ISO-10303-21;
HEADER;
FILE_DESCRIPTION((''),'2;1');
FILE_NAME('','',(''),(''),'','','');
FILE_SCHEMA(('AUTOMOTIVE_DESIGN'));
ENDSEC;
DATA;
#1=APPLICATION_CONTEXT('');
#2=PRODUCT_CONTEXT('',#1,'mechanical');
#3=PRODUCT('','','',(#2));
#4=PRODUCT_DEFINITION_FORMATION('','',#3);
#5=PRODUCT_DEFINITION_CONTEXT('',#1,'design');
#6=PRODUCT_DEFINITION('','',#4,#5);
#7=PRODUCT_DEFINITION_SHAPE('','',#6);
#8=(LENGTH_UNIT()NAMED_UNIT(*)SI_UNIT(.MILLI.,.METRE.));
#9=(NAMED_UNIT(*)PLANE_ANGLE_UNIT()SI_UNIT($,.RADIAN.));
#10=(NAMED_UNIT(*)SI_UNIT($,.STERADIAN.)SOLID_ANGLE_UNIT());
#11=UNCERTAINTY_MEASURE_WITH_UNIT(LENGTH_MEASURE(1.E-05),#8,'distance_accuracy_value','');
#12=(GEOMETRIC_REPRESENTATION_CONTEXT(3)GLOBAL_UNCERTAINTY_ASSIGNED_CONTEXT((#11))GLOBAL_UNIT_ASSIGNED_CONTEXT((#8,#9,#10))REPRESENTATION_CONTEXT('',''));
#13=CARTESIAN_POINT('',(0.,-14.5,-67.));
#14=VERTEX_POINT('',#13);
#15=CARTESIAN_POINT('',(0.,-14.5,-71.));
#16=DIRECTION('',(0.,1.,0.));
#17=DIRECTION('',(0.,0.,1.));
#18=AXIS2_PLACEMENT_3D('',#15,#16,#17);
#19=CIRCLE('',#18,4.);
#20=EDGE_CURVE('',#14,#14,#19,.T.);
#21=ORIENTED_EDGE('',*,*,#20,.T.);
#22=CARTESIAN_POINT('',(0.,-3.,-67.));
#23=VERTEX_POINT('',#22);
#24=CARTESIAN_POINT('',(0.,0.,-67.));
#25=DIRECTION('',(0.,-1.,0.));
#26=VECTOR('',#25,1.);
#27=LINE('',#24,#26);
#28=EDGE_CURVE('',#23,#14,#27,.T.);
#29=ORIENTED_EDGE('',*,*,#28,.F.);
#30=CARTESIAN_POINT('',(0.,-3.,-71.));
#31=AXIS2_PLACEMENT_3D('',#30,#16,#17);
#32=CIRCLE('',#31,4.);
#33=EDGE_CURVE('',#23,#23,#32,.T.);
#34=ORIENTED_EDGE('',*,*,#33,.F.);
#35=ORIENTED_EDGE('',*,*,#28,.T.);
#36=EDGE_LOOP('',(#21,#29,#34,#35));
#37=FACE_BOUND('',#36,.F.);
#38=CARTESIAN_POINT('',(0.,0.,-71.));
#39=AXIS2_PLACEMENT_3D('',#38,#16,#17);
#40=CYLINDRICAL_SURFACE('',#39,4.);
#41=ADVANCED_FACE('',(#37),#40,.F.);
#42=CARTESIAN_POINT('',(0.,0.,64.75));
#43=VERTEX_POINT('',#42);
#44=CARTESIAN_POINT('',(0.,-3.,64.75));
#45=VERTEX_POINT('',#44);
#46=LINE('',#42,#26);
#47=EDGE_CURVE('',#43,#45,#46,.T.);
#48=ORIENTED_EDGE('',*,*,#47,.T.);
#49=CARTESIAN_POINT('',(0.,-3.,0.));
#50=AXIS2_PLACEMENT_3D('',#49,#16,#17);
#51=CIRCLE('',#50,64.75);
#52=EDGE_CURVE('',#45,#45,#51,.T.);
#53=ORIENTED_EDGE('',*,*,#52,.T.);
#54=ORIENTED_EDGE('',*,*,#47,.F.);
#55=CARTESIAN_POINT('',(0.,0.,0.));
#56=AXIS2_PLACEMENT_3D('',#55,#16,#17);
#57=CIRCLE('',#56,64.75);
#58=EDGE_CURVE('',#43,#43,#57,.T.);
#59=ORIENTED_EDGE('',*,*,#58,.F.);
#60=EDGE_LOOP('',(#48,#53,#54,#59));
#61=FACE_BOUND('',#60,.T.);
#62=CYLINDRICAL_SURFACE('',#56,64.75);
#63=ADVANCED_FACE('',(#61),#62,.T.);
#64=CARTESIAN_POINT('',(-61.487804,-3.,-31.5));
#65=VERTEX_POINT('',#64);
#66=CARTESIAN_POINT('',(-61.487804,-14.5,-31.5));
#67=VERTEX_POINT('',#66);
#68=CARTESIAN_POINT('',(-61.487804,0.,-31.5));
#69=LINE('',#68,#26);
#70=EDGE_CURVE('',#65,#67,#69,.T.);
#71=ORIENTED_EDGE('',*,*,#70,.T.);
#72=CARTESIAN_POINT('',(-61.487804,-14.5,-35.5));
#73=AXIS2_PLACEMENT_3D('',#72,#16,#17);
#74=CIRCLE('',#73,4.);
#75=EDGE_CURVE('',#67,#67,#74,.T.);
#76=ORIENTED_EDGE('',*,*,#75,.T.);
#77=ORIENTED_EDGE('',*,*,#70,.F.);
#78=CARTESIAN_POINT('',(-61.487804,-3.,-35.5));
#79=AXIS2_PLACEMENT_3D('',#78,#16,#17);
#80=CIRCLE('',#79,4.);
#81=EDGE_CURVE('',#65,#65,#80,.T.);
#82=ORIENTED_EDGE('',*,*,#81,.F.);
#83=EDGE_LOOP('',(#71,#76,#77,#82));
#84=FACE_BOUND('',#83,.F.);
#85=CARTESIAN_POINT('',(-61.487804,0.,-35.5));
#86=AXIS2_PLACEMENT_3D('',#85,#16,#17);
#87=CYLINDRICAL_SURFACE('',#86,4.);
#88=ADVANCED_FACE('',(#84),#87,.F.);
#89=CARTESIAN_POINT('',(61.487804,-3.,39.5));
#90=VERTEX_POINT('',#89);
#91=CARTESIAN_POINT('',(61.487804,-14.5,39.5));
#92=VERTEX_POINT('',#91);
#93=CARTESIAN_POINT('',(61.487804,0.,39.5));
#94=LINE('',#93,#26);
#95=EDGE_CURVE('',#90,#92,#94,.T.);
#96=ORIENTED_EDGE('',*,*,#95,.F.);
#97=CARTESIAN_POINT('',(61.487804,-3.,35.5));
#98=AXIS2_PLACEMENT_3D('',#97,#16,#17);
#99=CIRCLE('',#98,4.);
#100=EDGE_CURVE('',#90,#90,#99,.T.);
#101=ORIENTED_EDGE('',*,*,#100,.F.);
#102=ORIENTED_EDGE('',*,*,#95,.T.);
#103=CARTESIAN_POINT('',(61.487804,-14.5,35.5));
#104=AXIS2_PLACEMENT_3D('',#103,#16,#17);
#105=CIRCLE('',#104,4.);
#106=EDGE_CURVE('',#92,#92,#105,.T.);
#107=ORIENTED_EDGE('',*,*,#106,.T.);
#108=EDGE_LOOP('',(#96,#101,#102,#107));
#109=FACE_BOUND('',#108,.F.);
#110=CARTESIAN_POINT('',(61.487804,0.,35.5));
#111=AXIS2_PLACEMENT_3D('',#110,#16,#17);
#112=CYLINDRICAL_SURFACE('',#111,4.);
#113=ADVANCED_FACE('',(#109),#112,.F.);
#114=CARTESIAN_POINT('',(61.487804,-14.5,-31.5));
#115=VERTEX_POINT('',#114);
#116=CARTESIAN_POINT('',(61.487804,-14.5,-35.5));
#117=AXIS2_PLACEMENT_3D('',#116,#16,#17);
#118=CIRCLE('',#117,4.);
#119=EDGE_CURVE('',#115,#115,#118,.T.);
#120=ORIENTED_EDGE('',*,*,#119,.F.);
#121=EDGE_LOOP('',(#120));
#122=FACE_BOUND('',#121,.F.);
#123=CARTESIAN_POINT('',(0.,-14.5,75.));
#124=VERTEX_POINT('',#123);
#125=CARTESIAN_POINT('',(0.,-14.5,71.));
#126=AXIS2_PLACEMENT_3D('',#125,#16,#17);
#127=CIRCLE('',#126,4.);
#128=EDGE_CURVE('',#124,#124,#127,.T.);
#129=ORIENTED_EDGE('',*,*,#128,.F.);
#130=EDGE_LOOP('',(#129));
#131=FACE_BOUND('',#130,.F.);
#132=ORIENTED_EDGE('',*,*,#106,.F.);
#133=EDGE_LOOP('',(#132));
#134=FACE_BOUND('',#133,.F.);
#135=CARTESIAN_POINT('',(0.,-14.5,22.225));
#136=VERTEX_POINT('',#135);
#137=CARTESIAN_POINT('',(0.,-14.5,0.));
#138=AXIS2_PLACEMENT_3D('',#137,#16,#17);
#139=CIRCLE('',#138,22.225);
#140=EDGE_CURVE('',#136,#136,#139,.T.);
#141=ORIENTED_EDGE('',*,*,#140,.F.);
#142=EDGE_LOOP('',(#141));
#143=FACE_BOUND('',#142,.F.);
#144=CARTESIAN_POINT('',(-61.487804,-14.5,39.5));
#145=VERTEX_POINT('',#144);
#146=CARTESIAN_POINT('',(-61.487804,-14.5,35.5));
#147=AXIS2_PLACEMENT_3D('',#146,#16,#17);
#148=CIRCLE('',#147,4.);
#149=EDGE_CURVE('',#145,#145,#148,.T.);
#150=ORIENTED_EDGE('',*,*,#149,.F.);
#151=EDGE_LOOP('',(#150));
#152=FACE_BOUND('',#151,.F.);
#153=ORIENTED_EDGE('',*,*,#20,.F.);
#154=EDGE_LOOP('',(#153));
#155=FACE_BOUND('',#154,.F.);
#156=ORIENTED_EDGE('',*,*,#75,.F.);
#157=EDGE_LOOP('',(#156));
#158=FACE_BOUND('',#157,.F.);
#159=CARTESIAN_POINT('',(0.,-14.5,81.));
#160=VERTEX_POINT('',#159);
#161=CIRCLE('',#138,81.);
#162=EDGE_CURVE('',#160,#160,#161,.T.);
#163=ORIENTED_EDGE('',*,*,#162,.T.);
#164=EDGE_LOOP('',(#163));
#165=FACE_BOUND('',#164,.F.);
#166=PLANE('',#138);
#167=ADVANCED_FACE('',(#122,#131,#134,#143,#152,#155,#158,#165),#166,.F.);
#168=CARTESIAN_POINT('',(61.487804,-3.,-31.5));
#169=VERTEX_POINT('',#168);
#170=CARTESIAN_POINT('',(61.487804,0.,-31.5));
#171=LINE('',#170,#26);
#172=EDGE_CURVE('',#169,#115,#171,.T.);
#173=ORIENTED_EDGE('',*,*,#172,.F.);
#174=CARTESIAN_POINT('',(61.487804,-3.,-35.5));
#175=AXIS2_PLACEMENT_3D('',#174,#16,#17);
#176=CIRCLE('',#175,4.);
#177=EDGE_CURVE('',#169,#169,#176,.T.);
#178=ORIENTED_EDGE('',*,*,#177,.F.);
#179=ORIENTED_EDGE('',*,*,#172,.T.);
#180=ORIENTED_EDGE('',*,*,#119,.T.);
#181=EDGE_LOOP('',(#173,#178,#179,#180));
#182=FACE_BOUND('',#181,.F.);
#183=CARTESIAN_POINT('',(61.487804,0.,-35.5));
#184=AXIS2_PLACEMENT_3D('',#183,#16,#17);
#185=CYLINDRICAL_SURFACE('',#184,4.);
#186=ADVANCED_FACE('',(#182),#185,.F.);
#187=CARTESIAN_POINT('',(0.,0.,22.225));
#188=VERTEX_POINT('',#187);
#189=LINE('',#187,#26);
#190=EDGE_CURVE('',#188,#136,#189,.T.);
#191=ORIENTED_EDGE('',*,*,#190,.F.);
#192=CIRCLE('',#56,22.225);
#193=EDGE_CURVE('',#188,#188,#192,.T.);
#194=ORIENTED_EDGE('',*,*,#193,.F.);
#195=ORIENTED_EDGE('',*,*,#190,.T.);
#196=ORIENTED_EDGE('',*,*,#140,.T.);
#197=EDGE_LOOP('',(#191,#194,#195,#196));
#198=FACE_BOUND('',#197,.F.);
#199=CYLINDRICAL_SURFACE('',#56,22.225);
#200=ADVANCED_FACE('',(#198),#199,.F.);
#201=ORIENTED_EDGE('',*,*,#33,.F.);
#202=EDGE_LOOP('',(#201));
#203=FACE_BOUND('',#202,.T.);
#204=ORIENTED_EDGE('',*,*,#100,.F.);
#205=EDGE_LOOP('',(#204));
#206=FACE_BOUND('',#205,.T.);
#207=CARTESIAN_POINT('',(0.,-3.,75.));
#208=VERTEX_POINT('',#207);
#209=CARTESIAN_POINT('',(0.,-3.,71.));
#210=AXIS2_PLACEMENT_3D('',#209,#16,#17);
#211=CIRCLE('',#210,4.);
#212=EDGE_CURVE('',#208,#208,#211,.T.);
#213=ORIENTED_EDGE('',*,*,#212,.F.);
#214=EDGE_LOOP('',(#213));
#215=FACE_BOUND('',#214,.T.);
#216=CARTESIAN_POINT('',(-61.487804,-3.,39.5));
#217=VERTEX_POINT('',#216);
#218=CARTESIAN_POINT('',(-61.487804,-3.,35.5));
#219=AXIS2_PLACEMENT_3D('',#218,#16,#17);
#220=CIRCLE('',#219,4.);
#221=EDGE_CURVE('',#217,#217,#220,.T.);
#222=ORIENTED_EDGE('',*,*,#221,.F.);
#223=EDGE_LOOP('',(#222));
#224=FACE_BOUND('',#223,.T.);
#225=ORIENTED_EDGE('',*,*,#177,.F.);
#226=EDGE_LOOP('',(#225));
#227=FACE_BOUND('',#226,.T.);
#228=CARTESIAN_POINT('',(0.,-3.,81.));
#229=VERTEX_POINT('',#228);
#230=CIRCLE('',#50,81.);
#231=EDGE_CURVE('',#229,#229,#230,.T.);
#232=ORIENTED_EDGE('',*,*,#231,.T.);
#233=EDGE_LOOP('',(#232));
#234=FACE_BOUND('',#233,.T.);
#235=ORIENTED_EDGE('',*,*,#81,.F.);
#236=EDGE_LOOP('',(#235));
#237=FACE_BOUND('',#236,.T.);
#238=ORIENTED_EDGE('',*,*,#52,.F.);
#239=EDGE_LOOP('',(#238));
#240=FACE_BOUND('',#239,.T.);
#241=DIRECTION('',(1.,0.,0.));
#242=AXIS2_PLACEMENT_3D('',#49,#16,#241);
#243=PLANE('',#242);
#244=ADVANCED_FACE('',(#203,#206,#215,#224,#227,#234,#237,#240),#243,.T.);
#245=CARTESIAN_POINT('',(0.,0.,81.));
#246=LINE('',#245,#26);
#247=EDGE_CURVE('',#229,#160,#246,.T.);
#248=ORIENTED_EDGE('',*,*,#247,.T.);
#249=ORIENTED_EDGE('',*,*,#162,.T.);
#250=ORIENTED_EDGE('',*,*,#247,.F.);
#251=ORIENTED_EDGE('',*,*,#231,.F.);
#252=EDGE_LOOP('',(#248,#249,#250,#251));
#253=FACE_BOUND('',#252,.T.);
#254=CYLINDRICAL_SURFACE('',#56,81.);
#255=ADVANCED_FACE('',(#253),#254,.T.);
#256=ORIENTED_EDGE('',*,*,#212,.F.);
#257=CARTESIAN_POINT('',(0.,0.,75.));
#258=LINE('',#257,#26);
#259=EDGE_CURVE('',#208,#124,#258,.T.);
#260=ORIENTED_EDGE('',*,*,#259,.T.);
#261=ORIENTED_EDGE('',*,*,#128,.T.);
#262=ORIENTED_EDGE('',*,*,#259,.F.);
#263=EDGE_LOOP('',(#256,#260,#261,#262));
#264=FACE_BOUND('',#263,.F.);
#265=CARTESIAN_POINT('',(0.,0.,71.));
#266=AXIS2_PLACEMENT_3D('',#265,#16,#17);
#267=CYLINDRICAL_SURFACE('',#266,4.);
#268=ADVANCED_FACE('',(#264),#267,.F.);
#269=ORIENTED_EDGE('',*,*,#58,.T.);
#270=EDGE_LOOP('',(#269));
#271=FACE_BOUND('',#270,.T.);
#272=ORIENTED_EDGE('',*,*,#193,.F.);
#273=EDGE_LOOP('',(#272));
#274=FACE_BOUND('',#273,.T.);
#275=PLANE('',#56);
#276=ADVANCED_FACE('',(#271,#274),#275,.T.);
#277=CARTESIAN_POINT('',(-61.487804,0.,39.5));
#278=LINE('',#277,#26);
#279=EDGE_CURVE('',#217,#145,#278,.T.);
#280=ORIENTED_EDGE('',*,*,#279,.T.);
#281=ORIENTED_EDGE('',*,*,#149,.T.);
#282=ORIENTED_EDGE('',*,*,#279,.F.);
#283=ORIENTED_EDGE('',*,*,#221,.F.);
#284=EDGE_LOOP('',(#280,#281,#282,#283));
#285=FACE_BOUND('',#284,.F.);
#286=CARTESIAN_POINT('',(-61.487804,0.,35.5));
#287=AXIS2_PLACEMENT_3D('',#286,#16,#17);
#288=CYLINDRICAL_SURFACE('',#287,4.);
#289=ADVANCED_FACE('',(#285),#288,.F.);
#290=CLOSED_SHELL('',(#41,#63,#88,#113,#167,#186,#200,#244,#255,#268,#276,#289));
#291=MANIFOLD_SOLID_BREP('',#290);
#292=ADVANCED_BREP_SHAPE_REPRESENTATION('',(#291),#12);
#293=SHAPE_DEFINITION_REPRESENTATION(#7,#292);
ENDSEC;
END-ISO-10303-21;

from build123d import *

# Parameters (mm, degrees)
SKETCH1_R           = 81
SKETCH1_R_2         = 22.225
SKETCH1_R_3         = 4
BOSS_EXTRUDE1_DEPTH = 14.5
SKETCH2_R           = 87.498812031
SKETCH2_R_2         = 64.75
CUT_EXTRUDE1_DEPTH  = 3


with BuildPart() as part:
    # Sketch1 → Boss-Extrude1 (new body)
    with BuildSketch(Plane(origin=(0, 0, 0), x_dir=(1, 0, 0), z_dir=(0, 1, 0))):
        with Locations(Location((0, 0, 0), (0, 0, 270))):
            Circle(SKETCH1_R)
        with Locations(Location((0, 0, 0), (0, 0, 270))):
            Circle(SKETCH1_R_2, mode=Mode.SUBTRACT)
        with Locations(Location((0, 71, 0), (0, 0, 270))):
            Circle(SKETCH1_R_3, mode=Mode.SUBTRACT)
        with Locations(Location((61.487803669, 35.5, 0), (0, 0, 270))):
            Circle(SKETCH1_R_3, mode=Mode.SUBTRACT)
        with Locations(Location((61.487803669, -35.5, 0), (0, 0, 270))):
            Circle(SKETCH1_R_3, mode=Mode.SUBTRACT)
        with Locations(Location((0, -71, 0), (0, 0, 270))):
            Circle(SKETCH1_R_3, mode=Mode.SUBTRACT)
        with Locations(Location((-61.487803669, -35.5, 0), (0, 0, 270))):
            Circle(SKETCH1_R_3, mode=Mode.SUBTRACT)
        with Locations(Location((-61.487803669, 35.5, 0), (0, 0, 270))):
            Circle(SKETCH1_R_3, mode=Mode.SUBTRACT)
    extrude(amount=-BOSS_EXTRUDE1_DEPTH)

    # Sketch2 → Cut-Extrude1 (cut)
    with BuildSketch(Plane(origin=(0, 0, 0), x_dir=(1, 0, 0), z_dir=(0, 1, 0))):
        Circle(SKETCH2_R)
        with Locations(Location((0, 0, 0), (0, 0, 270))):
            Circle(SKETCH2_R_2, mode=Mode.SUBTRACT)
    extrude(amount=-CUT_EXTRUDE1_DEPTH, mode=Mode.SUBTRACT)


solid = part.part
